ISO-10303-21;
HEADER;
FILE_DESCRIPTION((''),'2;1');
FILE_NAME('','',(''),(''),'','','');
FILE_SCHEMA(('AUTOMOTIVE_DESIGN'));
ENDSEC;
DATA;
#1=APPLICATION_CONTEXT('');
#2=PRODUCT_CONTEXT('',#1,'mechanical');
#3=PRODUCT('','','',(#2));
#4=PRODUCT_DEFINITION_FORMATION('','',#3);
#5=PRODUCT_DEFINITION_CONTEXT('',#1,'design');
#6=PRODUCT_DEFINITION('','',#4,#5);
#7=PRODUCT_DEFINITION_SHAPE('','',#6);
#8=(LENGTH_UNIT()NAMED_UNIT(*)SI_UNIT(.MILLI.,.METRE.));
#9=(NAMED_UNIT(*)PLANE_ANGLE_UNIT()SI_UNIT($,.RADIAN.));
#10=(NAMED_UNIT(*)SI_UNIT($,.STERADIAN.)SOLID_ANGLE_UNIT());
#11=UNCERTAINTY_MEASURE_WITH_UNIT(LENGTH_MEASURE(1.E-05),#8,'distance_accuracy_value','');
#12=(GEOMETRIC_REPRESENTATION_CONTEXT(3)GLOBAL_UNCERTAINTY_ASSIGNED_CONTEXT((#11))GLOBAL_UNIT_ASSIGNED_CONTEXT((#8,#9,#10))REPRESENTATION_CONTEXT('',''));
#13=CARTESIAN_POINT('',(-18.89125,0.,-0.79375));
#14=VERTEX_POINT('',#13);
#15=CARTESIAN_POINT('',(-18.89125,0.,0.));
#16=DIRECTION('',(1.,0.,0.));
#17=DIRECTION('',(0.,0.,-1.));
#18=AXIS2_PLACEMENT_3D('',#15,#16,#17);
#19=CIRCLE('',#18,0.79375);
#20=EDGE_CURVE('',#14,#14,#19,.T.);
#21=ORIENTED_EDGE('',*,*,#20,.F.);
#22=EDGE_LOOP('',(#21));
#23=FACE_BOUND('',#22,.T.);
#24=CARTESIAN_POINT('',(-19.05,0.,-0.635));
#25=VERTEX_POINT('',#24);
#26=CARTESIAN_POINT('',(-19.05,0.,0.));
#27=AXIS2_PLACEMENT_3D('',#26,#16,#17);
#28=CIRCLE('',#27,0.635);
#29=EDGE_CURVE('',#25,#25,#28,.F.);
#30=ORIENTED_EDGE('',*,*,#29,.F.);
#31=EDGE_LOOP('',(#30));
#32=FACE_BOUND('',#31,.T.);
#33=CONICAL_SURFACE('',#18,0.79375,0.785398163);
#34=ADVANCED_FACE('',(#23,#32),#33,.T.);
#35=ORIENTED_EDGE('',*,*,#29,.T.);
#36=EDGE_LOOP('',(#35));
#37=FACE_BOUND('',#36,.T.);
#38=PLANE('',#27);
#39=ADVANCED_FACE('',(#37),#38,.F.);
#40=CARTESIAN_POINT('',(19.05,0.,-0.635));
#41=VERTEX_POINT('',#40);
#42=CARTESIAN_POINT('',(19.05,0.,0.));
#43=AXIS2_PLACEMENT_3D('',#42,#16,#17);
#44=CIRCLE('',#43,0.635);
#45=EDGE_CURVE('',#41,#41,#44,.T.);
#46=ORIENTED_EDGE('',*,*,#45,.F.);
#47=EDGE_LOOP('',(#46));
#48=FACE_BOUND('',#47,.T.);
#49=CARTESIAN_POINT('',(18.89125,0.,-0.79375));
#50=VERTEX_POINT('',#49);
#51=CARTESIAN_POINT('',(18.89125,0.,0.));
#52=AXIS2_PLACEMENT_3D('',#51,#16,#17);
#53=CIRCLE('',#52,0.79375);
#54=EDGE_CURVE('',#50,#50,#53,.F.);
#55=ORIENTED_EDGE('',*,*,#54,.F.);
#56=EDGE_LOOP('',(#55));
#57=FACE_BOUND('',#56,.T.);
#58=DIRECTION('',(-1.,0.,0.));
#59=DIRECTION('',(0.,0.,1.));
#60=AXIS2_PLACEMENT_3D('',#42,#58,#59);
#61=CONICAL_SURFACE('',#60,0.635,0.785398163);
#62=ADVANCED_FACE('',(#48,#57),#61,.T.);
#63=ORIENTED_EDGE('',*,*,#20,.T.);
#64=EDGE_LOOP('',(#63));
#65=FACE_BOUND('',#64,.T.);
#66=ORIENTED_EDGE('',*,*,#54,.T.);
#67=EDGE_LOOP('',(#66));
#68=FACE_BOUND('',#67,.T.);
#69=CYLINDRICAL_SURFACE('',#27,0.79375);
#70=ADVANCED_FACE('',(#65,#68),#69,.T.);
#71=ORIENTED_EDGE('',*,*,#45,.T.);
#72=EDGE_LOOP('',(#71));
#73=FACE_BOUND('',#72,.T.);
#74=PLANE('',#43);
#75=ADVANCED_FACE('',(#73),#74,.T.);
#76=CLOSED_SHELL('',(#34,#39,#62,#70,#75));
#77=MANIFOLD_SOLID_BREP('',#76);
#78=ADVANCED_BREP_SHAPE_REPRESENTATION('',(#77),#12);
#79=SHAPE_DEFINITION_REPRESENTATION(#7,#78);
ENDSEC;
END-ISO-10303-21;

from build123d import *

# Parameters (mm, degrees)
SKETCH2_R           = 0.79375
EXTRUDE1_DEPTH      = 19.05
EXTRUDE1_DEPTH_BACK = 19.05
CHAMFER1_SIZE       = 0.15875


with BuildPart() as part:
    # Sketch2 → Extrude1 (new body, two sides)
    with BuildSketch(Plane(origin=(0, 0, 0), x_dir=(0, 0, -1), z_dir=(1, 0, 0))) as extrude1_sk:
        Circle(SKETCH2_R)
    extrude(amount=EXTRUDE1_DEPTH)
    extrude(extrude1_sk.sketch, amount=-EXTRUDE1_DEPTH_BACK)

    # Chamfer1
    chamfer1_edges = [part.edges().sort_by_distance(p)[0] for p in [
        (-19.05, 0, 0.79375),
        (19.05, 0, 0.79375),
    ]]
    chamfer(chamfer1_edges, length=CHAMFER1_SIZE)


solid = part.part
